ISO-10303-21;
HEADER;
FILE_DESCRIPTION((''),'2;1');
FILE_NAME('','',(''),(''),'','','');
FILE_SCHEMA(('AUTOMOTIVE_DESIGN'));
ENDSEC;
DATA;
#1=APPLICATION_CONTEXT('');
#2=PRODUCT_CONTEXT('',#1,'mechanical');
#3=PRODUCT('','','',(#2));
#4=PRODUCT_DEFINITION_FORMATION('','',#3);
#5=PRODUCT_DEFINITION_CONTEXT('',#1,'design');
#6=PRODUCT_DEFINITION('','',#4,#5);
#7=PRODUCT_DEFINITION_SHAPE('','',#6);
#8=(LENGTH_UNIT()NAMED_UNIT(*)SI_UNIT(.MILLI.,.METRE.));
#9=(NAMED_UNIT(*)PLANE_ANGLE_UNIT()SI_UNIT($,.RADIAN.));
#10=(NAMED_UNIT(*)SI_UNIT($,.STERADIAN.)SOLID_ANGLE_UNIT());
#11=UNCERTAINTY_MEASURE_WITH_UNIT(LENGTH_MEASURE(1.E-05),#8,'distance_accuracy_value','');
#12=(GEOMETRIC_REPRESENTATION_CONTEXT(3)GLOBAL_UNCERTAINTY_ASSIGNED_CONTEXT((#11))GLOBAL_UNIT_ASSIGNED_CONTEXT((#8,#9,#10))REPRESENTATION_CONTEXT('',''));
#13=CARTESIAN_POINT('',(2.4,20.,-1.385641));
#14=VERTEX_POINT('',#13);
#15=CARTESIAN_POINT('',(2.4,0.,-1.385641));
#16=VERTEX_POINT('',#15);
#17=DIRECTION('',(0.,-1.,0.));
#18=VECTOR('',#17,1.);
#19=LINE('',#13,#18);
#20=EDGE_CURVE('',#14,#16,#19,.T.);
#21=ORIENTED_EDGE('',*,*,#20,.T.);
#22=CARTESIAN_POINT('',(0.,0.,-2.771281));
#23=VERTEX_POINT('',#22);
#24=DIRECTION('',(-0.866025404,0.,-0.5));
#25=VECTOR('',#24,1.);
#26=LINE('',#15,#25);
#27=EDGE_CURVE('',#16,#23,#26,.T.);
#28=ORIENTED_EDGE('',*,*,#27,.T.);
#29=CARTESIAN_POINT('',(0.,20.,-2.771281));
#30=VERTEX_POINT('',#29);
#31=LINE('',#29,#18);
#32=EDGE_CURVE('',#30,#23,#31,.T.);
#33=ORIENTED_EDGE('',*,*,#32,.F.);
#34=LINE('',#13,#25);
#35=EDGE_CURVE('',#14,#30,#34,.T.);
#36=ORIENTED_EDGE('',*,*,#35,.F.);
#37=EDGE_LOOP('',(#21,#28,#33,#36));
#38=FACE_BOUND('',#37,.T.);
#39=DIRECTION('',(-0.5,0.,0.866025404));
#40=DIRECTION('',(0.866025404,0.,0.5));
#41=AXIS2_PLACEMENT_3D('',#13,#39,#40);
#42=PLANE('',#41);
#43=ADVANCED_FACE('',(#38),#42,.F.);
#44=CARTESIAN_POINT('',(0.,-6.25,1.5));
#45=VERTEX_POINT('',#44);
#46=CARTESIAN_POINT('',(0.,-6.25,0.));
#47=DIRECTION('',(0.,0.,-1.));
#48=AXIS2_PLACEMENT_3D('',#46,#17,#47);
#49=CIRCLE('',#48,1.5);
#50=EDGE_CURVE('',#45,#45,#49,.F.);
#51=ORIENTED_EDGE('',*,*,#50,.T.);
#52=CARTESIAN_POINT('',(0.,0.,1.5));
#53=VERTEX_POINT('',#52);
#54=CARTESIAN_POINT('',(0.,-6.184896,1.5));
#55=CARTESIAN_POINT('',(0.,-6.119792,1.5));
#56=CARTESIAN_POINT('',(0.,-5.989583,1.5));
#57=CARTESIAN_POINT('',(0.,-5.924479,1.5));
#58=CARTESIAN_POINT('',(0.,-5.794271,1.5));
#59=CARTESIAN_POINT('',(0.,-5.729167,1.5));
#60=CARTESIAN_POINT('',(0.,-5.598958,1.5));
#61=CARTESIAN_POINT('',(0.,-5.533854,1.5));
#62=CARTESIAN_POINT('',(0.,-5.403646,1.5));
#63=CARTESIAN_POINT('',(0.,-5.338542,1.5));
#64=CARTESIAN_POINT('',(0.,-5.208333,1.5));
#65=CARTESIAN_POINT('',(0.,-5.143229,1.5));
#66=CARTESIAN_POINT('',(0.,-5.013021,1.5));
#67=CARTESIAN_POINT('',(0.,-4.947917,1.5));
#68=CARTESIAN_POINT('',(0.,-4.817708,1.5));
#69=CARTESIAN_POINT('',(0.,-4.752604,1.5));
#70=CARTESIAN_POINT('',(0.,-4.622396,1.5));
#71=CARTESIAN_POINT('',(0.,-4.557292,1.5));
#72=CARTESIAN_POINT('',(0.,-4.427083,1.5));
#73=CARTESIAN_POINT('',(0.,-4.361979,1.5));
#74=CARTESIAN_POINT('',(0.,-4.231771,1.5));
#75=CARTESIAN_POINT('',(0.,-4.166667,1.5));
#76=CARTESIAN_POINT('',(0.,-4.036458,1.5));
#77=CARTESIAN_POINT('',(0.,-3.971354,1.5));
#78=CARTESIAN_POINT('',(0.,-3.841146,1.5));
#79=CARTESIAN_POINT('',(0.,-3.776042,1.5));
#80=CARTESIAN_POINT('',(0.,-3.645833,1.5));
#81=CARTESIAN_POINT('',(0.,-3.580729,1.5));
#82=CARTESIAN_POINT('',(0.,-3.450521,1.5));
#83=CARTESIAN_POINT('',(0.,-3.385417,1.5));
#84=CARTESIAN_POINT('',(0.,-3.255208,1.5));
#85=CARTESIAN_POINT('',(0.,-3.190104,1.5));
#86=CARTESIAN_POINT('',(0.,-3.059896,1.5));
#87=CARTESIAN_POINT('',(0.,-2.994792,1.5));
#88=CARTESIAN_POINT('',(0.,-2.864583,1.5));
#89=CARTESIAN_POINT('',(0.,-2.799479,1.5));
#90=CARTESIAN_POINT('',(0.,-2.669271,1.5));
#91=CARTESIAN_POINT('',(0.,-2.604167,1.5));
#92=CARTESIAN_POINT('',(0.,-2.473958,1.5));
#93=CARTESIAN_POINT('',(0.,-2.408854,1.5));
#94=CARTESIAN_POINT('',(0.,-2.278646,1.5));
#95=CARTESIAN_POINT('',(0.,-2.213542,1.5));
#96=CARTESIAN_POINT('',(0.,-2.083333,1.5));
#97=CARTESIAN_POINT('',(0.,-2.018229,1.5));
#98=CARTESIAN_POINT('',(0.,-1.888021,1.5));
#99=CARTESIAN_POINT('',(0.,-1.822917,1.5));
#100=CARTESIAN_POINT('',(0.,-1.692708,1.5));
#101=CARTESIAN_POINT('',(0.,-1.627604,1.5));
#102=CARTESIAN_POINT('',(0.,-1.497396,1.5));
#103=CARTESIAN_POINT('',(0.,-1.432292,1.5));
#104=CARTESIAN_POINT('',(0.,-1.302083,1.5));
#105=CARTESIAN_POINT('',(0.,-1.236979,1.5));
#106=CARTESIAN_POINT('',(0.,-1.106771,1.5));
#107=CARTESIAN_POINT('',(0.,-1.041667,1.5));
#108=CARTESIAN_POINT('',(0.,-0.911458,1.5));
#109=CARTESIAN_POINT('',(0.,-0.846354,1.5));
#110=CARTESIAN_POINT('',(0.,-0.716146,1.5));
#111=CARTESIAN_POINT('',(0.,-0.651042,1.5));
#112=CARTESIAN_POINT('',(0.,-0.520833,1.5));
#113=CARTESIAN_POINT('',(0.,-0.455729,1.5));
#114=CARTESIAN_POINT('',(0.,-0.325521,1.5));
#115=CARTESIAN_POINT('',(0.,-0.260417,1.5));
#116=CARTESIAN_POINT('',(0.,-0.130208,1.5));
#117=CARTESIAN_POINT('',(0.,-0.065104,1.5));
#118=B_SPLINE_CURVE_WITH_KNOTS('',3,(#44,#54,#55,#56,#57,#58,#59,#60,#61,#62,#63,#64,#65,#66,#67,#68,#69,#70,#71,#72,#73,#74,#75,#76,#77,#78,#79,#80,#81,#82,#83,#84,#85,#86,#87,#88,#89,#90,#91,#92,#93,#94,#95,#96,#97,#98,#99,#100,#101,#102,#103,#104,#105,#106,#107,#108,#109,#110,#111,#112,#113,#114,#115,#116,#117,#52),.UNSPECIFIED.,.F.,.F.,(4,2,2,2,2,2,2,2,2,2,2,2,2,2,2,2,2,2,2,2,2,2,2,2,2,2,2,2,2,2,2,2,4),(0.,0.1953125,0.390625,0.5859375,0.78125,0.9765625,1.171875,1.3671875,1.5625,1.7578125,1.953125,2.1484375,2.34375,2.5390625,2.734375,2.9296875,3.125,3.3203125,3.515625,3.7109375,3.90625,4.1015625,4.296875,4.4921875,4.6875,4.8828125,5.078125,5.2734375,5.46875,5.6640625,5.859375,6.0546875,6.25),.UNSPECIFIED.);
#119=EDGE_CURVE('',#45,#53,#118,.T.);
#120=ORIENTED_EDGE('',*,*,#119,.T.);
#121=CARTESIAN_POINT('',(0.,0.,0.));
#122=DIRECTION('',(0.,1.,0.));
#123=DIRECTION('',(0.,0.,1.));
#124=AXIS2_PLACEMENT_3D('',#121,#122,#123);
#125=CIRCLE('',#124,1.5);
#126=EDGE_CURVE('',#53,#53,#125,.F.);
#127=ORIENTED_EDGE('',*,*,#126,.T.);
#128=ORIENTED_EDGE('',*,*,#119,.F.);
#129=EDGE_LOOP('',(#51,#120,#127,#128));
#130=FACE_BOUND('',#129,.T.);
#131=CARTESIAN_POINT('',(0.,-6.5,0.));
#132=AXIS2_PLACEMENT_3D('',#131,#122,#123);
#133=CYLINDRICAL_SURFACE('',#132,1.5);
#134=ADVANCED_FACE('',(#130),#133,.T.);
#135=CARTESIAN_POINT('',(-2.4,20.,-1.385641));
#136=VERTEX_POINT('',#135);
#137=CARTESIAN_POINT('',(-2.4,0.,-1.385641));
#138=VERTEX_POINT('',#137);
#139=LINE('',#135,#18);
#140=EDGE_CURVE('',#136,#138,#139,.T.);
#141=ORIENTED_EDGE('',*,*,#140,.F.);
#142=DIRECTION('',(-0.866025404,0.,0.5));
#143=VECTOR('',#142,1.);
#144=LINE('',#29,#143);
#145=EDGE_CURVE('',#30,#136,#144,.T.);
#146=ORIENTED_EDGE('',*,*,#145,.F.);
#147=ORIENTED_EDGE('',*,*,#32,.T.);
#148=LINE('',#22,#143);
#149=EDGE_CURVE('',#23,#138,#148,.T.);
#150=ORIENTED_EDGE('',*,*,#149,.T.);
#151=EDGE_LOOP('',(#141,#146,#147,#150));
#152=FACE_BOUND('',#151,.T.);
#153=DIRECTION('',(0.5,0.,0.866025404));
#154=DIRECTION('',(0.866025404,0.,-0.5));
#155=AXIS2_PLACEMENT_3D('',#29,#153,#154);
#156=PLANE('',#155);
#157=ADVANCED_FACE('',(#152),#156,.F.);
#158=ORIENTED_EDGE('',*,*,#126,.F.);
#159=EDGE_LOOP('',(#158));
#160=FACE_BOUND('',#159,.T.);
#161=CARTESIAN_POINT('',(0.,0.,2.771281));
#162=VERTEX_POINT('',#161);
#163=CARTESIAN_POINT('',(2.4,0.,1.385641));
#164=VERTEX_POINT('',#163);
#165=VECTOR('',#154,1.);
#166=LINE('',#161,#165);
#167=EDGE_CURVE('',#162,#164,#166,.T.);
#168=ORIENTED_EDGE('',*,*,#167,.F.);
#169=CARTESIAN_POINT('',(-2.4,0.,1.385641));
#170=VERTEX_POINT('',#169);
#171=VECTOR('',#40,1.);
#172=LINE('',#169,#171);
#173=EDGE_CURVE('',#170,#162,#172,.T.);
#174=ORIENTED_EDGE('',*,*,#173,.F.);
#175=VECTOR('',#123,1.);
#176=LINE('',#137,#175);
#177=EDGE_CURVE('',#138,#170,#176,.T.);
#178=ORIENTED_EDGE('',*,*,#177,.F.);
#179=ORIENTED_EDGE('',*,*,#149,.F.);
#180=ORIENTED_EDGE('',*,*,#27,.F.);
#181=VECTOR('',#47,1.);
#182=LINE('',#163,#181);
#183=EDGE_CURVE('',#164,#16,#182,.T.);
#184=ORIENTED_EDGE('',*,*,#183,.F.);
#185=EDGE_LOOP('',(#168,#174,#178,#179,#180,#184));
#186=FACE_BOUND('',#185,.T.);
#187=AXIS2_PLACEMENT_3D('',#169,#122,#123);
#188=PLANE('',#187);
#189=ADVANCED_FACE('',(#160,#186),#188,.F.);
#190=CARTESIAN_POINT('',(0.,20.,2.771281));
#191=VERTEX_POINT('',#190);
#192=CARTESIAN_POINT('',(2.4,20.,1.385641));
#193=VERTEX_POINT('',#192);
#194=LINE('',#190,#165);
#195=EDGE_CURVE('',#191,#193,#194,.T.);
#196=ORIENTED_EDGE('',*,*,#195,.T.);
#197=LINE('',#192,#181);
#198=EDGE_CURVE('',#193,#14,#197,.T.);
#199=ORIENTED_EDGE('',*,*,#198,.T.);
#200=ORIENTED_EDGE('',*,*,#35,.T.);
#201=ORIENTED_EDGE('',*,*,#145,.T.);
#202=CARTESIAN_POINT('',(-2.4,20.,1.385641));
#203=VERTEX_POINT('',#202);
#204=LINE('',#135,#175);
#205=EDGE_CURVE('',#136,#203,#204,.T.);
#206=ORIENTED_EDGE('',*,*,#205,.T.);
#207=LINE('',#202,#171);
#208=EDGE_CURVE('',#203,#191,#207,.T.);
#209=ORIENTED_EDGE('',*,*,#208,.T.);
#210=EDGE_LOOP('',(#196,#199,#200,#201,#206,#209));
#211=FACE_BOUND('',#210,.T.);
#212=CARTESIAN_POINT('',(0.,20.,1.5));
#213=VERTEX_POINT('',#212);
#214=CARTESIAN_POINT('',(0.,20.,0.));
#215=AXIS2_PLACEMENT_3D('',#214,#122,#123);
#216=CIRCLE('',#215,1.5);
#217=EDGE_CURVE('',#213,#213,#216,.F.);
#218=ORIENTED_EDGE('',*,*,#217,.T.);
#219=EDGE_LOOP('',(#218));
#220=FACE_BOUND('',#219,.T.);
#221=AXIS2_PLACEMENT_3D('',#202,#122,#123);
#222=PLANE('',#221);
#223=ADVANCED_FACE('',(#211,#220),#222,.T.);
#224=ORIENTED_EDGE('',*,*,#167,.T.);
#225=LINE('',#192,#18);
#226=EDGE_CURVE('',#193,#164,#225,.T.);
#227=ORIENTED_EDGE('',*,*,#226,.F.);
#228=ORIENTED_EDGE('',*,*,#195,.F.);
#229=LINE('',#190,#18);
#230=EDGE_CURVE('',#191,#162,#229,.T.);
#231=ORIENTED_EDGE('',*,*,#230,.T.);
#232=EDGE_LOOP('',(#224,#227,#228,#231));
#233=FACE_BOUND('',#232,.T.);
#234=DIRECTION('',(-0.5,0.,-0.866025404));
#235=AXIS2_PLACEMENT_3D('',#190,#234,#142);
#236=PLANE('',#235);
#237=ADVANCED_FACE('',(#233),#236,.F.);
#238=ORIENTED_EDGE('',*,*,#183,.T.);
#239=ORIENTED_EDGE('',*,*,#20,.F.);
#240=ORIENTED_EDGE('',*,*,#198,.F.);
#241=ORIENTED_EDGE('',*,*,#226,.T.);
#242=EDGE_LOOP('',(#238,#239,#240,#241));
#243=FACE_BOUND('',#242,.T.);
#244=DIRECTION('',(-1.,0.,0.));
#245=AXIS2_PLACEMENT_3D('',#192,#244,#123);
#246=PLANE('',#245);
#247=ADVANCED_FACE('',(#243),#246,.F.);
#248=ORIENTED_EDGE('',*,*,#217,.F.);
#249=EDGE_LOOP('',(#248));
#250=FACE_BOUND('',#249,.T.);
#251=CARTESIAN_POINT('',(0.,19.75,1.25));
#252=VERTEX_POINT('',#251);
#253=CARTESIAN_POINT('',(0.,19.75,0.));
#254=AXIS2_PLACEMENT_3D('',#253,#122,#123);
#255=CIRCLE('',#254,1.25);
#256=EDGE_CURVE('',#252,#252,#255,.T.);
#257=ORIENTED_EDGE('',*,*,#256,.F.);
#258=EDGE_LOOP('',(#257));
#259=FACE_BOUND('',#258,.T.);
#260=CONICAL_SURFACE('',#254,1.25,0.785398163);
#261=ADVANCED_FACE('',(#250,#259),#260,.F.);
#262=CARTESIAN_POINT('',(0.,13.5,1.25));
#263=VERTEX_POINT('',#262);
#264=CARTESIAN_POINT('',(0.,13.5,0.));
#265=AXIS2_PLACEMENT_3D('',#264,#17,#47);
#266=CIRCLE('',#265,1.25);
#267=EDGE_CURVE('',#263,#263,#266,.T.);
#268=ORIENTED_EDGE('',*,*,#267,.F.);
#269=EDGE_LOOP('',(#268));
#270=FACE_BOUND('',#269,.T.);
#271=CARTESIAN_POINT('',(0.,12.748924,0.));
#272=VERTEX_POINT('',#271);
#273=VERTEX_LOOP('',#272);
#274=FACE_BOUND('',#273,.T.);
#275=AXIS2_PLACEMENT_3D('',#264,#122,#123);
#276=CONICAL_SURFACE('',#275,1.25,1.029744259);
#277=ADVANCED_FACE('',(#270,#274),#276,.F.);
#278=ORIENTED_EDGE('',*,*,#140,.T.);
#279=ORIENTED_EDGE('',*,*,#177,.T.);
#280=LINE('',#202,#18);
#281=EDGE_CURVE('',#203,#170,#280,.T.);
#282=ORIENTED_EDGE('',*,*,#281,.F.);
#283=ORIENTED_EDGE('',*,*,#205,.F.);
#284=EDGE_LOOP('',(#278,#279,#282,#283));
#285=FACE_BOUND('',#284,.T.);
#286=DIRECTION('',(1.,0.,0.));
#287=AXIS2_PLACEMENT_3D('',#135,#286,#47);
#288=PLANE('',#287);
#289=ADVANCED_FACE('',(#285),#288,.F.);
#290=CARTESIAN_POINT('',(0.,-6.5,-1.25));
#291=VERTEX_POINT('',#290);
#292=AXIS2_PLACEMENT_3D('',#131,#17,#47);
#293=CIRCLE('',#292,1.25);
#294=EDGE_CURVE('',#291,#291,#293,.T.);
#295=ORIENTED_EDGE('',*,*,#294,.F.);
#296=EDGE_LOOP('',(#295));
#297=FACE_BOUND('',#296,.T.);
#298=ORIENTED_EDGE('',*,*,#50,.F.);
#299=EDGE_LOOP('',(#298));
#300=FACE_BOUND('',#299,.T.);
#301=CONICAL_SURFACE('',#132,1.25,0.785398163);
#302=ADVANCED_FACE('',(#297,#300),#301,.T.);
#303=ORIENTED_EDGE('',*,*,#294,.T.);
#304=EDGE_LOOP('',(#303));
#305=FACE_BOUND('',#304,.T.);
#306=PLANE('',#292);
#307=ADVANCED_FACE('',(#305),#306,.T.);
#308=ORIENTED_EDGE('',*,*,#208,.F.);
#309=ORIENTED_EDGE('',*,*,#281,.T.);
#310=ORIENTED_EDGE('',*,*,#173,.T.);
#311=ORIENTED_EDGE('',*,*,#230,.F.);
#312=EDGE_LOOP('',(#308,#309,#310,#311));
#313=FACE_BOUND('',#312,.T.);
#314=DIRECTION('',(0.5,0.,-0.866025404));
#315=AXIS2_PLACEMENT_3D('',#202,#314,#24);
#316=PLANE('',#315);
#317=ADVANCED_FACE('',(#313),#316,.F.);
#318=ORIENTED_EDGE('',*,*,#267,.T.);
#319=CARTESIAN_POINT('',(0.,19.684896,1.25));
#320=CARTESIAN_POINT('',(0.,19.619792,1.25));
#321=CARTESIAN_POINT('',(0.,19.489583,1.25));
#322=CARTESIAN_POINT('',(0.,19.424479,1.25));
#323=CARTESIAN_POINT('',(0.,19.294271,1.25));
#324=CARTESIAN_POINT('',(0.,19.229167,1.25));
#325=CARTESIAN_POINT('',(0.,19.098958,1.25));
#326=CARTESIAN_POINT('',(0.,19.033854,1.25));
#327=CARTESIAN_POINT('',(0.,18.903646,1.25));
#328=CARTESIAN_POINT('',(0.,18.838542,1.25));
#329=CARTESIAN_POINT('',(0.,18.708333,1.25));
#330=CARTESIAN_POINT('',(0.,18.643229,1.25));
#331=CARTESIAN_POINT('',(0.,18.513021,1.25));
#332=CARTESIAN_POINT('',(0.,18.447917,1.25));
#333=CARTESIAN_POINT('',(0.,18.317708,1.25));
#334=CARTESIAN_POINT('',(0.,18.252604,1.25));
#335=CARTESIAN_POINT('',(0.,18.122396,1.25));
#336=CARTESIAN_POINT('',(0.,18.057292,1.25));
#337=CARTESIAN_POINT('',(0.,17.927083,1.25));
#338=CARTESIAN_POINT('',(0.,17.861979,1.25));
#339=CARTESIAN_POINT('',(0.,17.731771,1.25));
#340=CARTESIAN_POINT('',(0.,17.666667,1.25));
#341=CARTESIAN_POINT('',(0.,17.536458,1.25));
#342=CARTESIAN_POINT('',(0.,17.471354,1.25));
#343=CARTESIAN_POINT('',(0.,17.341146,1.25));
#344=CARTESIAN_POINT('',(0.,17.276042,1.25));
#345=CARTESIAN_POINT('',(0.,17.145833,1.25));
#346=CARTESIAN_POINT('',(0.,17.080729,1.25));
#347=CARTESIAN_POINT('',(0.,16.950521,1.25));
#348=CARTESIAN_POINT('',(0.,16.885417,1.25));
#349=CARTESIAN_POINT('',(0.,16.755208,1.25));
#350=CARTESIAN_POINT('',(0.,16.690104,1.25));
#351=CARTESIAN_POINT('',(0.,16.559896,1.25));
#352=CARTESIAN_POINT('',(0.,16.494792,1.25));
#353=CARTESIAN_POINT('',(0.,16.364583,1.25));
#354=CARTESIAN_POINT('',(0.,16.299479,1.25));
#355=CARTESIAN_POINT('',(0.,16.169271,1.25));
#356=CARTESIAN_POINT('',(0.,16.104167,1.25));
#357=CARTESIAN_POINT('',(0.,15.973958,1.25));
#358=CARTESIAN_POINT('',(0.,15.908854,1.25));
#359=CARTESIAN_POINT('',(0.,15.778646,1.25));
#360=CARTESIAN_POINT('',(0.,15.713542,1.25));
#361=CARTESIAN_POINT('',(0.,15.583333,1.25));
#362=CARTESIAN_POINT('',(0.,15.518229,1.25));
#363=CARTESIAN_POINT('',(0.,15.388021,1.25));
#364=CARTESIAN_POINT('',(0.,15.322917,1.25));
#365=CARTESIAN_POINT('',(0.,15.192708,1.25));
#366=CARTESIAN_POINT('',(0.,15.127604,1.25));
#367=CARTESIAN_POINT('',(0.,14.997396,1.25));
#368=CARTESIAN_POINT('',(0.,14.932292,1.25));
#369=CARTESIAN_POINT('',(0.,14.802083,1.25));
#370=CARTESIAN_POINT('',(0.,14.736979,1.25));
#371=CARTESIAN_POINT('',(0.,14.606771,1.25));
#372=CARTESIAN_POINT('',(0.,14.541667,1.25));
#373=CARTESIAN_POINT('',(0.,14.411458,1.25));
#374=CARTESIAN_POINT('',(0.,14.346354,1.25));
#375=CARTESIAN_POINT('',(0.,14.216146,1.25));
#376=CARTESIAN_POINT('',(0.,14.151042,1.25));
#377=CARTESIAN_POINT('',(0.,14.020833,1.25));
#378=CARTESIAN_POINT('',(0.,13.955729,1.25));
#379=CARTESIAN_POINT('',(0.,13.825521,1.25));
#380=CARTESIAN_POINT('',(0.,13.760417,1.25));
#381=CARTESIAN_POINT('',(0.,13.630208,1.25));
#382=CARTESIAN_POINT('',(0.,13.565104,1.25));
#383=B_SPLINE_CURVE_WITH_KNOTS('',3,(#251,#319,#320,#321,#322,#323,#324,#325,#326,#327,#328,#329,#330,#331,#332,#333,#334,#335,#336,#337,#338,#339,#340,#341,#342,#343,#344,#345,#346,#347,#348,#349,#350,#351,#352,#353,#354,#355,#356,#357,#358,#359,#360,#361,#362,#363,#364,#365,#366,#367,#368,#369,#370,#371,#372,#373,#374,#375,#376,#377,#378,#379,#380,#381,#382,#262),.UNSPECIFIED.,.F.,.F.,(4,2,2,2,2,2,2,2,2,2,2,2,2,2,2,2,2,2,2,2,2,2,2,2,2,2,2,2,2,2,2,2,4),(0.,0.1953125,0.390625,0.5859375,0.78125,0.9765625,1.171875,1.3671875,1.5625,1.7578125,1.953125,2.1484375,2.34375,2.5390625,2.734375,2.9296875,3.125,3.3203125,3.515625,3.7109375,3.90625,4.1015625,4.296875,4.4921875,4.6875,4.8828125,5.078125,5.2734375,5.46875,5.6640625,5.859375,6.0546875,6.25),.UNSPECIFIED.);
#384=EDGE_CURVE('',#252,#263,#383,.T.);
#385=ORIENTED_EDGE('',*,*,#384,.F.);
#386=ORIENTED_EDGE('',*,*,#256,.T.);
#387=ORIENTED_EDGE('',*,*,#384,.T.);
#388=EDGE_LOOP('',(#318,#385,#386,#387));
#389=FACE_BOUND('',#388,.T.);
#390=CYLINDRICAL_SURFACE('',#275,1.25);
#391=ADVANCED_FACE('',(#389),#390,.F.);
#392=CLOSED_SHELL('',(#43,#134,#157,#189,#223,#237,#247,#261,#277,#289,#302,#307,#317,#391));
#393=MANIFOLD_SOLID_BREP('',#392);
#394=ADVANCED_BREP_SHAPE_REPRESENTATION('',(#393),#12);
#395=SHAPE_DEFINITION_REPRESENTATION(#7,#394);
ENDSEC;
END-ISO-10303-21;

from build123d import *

# Parameters (mm, degrees)
SPACER_DEPTH       = 20
HOLE_R             = 1.25
BLIND_HOLE_DEPTH   = 6.5
HOLE_CHAMFER_SIZE  = 0.25
SHAFT_R            = 1.5
MAIL_SHAFT_DEPTH   = 6.5
SHAFT_CHAMFER_SIZE = 0.25


with BuildPart() as part:
    # Profile → SPACER (new body)
    with BuildSketch(Plane(origin=(0, 0, 0), x_dir=(1, 0, 0), z_dir=(0, 1, 0))):
        Polygon((-2.4, -1.385640646), (0, -2.771281292), (2.4, -1.385640646), (2.4, 1.385640646), (0, 2.771281292), (-2.4, 1.385640646), align=None)
    extrude(amount=SPACER_DEPTH)

    # HOLE → BLIND_HOLE (cut)
    with BuildSketch(Plane(origin=(0, 20, 0), x_dir=(1, 0, 0), z_dir=(0, 1, 0))):
        with Locations(Location((0, 0, 0), (0, 0, 270))):
            Circle(HOLE_R)
    extrude(amount=-BLIND_HOLE_DEPTH, mode=Mode.SUBTRACT)

    # HOLE_Chamfer
    hole_chamfer_edges = [part.edges().sort_by_distance(p)[0] for p in [
        (0, 20, -1.25),
    ]]
    chamfer(hole_chamfer_edges, length=HOLE_CHAMFER_SIZE)

    # Sketch6 → DRILL_CUT (revolve, cut)
    with BuildSketch(Plane.XY, mode=Mode.PRIVATE) as drill_cut_sk:
        Polygon((0, 13.5), (-1.25, 13.5), (0, 12.748924226), align=None)
    revolve(drill_cut_sk.sketch.rotate(Axis((0, 12.748924226, 0), (0, 1, 0)), 90), axis=Axis((0, 12.748924226, 0), (0, 1, 0)), mode=Mode.SUBTRACT)

    # SHAFT → MAIL_SHAFT (add)
    with BuildSketch(Plane.XZ):
        with Locations(Location((0, 0, 0), (0, 0, 90))):
            Circle(SHAFT_R)
    extrude(amount=MAIL_SHAFT_DEPTH)

    # SHAFT_Chamfer
    shaft_chamfer_edges = [part.edges().sort_by_distance(p)[0] for p in [
        (0, -6.5, -1.5),
    ]]
    chamfer(shaft_chamfer_edges, length=SHAFT_CHAMFER_SIZE)


solid = part.part
